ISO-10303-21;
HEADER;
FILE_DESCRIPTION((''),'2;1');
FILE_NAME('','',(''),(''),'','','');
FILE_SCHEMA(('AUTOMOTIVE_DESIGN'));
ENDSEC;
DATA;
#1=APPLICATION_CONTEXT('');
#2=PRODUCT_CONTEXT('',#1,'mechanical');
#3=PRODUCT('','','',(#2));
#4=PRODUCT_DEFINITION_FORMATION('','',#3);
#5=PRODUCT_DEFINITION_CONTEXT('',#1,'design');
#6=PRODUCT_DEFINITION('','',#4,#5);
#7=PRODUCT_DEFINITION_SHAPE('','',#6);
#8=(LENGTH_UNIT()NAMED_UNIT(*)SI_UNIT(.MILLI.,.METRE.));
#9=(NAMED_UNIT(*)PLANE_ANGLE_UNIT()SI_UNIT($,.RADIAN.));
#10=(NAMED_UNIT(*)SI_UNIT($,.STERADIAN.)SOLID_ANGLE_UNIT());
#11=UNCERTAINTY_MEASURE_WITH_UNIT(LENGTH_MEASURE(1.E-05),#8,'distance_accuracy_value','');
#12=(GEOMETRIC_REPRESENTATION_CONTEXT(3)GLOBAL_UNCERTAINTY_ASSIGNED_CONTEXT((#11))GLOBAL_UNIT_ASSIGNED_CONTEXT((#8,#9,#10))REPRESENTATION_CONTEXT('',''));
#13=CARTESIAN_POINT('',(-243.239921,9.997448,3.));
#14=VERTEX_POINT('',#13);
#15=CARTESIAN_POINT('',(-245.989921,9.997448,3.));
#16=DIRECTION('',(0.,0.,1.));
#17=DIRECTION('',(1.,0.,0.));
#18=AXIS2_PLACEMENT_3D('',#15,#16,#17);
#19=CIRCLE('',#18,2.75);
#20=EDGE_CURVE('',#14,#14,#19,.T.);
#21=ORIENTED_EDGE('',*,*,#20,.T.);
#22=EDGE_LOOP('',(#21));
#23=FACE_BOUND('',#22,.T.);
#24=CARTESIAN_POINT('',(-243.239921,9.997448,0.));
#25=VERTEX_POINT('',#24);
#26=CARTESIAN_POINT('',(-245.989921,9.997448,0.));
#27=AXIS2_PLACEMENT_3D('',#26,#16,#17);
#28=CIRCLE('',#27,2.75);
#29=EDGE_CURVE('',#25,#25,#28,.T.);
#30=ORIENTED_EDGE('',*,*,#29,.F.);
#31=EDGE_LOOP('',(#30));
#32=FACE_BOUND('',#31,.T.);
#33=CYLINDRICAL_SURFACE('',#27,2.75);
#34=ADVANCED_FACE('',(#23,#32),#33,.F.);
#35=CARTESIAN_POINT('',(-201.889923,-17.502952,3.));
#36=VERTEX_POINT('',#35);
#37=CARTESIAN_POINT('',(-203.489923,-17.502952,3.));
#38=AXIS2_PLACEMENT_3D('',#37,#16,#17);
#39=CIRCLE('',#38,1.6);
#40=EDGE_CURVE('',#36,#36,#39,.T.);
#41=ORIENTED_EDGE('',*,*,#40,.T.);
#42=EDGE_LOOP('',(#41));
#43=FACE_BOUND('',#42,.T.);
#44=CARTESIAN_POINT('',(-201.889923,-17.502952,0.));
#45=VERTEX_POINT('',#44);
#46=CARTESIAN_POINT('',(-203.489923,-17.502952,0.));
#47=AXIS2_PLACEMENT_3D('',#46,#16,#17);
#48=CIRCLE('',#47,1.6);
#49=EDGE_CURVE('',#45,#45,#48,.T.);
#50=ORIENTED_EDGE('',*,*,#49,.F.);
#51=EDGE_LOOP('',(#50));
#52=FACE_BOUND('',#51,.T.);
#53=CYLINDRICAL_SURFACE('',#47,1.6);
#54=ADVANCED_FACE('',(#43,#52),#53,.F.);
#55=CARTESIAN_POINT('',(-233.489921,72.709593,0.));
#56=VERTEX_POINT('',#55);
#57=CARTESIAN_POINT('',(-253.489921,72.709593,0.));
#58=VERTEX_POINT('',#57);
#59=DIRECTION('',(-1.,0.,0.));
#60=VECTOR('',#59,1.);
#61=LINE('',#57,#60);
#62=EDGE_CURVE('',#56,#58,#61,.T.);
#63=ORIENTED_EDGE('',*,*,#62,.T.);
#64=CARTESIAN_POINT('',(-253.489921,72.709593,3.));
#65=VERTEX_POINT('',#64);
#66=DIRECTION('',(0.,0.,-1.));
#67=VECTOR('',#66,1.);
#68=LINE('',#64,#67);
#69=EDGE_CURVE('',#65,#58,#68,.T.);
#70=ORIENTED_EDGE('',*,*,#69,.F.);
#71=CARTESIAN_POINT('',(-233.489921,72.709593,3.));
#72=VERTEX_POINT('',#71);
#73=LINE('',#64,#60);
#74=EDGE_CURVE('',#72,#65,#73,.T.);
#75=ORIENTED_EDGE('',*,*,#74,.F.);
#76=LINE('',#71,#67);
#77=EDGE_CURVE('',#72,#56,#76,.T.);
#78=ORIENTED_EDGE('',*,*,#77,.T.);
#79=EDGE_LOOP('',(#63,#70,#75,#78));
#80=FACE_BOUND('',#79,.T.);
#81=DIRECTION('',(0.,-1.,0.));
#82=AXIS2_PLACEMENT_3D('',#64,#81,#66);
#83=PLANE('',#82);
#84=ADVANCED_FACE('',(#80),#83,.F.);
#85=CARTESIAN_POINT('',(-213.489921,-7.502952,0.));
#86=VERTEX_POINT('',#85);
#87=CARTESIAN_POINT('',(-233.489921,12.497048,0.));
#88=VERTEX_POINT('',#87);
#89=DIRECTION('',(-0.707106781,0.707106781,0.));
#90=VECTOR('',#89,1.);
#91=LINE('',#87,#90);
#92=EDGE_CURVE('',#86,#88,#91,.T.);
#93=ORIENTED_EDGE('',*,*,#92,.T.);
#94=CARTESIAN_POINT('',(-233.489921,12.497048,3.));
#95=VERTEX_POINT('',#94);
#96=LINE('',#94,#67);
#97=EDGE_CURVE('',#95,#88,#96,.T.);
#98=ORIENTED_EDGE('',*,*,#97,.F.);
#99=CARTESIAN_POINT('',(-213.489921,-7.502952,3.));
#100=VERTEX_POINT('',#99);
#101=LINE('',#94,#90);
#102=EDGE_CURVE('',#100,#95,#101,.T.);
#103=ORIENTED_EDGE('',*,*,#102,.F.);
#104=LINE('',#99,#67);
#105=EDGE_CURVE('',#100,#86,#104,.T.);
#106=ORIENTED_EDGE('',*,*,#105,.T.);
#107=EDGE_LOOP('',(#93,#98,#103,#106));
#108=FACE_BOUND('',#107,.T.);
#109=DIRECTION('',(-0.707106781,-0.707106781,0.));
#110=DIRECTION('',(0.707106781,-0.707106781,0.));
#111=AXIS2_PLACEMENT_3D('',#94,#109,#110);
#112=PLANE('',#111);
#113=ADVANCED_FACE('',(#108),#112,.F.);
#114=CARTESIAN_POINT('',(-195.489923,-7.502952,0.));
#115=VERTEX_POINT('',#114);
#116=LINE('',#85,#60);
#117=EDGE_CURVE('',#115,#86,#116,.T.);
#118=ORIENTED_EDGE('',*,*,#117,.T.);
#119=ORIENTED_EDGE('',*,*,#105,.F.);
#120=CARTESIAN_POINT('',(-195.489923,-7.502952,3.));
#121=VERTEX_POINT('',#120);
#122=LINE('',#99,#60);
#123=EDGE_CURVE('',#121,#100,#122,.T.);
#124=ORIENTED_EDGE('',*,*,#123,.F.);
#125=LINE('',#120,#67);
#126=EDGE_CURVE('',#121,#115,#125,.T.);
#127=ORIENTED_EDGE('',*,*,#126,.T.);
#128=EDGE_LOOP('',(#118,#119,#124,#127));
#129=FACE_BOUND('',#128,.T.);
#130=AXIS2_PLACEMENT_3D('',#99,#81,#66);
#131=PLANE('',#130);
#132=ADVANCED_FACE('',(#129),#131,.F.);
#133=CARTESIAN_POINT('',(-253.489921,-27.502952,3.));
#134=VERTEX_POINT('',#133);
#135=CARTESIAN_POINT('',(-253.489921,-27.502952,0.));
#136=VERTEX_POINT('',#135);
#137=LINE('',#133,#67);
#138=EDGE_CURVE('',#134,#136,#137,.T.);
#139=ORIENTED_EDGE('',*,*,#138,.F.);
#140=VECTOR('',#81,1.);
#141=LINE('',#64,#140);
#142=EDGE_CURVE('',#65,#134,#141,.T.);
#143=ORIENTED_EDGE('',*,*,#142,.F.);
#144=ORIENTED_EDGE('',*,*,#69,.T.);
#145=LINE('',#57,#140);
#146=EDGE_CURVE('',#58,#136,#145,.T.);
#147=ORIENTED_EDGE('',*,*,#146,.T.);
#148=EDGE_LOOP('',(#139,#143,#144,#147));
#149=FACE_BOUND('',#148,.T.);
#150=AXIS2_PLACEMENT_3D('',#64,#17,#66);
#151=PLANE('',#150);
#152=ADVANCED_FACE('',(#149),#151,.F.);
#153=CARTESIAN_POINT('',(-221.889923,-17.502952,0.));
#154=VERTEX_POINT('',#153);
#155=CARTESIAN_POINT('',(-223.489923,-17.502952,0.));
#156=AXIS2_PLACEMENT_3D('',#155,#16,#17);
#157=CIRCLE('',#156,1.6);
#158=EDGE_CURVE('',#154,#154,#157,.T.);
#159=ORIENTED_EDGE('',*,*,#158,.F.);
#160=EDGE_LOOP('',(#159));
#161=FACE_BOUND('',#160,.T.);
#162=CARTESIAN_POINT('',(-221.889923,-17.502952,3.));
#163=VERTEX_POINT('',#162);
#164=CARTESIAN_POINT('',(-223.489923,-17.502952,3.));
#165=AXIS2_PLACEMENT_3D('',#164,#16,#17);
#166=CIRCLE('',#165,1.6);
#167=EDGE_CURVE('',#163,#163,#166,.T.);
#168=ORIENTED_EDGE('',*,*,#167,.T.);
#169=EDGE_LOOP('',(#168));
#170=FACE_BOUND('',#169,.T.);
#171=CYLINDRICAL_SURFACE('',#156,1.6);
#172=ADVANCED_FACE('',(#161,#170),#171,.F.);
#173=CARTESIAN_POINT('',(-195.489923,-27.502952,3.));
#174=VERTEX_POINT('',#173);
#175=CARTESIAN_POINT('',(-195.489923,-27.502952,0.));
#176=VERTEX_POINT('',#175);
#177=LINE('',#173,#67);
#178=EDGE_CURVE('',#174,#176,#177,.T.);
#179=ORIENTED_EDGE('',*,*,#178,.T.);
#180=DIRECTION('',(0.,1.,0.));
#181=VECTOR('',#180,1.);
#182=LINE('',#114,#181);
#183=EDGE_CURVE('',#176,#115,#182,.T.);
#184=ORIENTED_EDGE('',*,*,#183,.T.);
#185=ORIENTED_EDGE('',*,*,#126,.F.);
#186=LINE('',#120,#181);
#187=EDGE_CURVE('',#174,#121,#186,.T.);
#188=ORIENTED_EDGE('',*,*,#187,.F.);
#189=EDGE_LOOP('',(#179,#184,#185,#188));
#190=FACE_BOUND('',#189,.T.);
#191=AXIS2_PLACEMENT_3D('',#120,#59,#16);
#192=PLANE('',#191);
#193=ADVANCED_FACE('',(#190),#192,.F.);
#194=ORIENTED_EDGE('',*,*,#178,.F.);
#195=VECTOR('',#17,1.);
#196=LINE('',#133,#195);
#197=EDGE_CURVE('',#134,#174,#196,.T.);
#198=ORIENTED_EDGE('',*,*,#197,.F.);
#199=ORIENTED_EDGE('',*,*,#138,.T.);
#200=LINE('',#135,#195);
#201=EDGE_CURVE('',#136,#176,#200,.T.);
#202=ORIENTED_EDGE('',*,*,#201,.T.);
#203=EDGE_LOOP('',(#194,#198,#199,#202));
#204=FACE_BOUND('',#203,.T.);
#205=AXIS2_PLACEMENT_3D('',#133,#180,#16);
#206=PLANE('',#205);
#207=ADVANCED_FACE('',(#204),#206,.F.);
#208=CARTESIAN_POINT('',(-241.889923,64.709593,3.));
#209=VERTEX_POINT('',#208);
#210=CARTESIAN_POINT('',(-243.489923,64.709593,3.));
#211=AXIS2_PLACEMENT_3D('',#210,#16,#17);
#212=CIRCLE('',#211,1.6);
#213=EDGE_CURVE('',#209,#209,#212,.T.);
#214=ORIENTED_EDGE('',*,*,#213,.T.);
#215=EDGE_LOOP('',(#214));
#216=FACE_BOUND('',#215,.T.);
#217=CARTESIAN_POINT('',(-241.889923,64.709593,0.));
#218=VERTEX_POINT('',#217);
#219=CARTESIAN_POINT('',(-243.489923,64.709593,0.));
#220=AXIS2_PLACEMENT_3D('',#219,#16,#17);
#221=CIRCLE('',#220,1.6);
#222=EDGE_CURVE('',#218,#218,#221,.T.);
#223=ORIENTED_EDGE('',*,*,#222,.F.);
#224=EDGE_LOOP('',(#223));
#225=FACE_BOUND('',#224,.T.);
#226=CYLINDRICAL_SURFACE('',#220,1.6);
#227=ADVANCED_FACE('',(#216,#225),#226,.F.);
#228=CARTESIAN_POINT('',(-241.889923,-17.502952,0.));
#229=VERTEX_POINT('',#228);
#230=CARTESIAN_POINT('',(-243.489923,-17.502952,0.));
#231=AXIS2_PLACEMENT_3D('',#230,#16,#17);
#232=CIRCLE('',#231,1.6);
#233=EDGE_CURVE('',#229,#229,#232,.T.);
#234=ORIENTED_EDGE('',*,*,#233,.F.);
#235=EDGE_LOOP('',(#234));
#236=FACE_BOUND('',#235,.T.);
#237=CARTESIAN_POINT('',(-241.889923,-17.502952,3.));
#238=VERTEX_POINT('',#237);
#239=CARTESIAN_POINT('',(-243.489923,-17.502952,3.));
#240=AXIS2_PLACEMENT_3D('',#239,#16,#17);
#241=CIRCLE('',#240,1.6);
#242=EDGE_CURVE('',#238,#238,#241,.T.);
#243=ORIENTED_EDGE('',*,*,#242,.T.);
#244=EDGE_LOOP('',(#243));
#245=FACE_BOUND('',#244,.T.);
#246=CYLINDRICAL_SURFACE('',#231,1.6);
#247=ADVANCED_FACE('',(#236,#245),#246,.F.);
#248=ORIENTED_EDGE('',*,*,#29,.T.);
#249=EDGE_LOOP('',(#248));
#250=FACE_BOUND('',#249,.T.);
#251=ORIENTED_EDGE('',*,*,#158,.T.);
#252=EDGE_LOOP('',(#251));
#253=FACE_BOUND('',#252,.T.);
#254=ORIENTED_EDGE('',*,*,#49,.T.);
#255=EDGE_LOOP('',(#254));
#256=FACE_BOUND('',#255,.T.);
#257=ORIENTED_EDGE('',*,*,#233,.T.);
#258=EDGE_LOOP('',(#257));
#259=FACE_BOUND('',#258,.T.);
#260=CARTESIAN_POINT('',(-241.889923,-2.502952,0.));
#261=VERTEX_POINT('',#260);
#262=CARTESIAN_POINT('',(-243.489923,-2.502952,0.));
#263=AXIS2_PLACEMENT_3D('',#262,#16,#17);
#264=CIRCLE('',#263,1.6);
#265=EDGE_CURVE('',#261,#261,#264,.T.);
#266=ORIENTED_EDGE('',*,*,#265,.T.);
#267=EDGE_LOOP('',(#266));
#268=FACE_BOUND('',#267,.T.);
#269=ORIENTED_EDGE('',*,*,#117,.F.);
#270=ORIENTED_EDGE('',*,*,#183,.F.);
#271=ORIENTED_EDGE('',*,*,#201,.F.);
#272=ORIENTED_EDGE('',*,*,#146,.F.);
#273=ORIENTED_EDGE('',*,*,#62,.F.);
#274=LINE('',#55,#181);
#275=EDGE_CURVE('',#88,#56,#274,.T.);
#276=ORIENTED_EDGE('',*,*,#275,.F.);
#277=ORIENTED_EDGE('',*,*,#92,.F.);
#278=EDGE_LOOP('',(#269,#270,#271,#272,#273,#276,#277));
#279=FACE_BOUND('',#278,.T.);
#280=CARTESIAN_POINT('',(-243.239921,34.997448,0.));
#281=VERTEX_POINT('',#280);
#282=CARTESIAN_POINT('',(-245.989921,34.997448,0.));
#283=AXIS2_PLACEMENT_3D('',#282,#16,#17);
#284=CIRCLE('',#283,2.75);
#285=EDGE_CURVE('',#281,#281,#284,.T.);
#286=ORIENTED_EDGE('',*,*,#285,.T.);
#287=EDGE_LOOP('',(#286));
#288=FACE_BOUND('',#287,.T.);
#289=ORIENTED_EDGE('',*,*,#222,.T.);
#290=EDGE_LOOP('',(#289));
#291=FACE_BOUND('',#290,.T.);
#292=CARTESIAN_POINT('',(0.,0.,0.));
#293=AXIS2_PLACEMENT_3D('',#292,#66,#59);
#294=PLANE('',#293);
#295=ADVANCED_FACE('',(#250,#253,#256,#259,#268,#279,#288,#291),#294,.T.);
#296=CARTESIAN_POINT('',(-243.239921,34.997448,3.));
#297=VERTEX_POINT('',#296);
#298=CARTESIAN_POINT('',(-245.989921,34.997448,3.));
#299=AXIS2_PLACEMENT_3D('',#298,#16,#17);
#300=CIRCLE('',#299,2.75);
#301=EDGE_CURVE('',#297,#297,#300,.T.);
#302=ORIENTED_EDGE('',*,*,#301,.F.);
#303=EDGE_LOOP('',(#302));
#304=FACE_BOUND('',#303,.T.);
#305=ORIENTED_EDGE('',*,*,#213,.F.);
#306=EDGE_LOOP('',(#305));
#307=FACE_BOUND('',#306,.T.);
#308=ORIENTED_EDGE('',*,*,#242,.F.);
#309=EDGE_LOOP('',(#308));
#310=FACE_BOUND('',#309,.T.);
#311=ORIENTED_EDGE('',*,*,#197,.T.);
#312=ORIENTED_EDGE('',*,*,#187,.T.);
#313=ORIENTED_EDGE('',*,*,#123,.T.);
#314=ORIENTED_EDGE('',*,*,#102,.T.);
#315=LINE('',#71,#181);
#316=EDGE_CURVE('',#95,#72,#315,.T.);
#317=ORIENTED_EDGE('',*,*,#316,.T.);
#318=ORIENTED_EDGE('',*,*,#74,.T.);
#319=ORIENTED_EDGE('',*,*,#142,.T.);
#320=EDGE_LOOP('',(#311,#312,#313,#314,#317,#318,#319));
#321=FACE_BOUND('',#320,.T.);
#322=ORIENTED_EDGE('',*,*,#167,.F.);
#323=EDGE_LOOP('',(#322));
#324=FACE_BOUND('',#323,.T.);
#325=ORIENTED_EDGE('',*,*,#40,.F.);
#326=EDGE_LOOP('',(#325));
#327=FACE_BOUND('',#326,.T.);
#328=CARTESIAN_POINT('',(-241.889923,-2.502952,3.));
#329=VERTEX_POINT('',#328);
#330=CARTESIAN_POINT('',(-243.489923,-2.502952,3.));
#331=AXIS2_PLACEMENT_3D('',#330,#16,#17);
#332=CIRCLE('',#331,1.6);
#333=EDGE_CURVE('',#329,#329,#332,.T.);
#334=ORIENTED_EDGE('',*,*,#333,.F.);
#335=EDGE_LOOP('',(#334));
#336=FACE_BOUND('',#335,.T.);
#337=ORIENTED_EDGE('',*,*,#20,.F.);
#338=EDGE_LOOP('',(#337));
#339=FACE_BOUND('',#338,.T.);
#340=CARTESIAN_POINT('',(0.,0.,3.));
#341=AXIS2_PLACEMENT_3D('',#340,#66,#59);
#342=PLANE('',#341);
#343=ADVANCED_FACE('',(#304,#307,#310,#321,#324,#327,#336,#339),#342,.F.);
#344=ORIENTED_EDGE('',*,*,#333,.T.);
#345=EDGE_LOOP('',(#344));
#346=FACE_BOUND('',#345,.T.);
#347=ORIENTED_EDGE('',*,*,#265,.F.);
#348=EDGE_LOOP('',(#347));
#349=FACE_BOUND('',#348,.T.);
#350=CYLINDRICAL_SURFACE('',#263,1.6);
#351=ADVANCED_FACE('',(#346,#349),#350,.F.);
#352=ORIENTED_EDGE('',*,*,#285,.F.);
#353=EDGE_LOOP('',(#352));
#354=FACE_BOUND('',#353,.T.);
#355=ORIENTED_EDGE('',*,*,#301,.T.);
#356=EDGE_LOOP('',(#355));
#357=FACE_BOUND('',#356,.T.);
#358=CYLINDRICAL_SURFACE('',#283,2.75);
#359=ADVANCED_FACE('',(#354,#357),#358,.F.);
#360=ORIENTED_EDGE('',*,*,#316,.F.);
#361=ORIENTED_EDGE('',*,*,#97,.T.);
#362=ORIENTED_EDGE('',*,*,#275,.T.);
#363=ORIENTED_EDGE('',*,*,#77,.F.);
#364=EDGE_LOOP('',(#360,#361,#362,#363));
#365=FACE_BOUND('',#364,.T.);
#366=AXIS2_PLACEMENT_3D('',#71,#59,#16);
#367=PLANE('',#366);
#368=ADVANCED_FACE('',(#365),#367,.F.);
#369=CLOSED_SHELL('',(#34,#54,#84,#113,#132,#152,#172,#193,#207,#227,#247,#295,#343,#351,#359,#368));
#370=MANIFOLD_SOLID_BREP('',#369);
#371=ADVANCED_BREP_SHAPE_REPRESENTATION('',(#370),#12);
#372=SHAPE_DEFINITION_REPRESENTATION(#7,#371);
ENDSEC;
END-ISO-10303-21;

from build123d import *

# Parameters (mm, degrees)
EXTRUDE1_DEPTH     = 3
SKETCH2_R          = 1.6
SKETCH2_R_2        = 2.75
CUT_EXTRUDE1_DEPTH = 3


with BuildPart() as part:
    # Sketch1 → Extrude1 (new body)
    with BuildSketch(Plane.XY):
        Polygon((-195.489923187, -7.502951786), (-195.489923187, -27.502951786), (-253.489921235, -27.502951786), (-253.489921235, 72.709593142), (-233.489921235, 72.709593142), (-233.489921235, 12.497048214), (-213.489921235, -7.502951786), align=None)
    extrude(amount=EXTRUDE1_DEPTH)

    # Sketch2 → Cut-Extrude1 (cut)
    with BuildSketch(Plane.XY.offset(3)):
        with Locations((-203.489923187, -17.502951786)):
            Circle(SKETCH2_R)
        with Locations((-223.489923187, -17.502951786)):
            Circle(SKETCH2_R)
        with Locations((-243.489923187, -17.502951786)):
            Circle(SKETCH2_R)
        with Locations((-243.489923187, -2.502951786)):
            Circle(SKETCH2_R)
        with Locations((-245.989921235, 9.997448214)):
            Circle(SKETCH2_R_2)
        with Locations((-245.989921235, 34.997448214)):
            Circle(SKETCH2_R_2)
        with Locations((-243.489923187, 64.709593142)):
            Circle(SKETCH2_R)
    extrude(amount=-CUT_EXTRUDE1_DEPTH, mode=Mode.SUBTRACT)


solid = part.part
